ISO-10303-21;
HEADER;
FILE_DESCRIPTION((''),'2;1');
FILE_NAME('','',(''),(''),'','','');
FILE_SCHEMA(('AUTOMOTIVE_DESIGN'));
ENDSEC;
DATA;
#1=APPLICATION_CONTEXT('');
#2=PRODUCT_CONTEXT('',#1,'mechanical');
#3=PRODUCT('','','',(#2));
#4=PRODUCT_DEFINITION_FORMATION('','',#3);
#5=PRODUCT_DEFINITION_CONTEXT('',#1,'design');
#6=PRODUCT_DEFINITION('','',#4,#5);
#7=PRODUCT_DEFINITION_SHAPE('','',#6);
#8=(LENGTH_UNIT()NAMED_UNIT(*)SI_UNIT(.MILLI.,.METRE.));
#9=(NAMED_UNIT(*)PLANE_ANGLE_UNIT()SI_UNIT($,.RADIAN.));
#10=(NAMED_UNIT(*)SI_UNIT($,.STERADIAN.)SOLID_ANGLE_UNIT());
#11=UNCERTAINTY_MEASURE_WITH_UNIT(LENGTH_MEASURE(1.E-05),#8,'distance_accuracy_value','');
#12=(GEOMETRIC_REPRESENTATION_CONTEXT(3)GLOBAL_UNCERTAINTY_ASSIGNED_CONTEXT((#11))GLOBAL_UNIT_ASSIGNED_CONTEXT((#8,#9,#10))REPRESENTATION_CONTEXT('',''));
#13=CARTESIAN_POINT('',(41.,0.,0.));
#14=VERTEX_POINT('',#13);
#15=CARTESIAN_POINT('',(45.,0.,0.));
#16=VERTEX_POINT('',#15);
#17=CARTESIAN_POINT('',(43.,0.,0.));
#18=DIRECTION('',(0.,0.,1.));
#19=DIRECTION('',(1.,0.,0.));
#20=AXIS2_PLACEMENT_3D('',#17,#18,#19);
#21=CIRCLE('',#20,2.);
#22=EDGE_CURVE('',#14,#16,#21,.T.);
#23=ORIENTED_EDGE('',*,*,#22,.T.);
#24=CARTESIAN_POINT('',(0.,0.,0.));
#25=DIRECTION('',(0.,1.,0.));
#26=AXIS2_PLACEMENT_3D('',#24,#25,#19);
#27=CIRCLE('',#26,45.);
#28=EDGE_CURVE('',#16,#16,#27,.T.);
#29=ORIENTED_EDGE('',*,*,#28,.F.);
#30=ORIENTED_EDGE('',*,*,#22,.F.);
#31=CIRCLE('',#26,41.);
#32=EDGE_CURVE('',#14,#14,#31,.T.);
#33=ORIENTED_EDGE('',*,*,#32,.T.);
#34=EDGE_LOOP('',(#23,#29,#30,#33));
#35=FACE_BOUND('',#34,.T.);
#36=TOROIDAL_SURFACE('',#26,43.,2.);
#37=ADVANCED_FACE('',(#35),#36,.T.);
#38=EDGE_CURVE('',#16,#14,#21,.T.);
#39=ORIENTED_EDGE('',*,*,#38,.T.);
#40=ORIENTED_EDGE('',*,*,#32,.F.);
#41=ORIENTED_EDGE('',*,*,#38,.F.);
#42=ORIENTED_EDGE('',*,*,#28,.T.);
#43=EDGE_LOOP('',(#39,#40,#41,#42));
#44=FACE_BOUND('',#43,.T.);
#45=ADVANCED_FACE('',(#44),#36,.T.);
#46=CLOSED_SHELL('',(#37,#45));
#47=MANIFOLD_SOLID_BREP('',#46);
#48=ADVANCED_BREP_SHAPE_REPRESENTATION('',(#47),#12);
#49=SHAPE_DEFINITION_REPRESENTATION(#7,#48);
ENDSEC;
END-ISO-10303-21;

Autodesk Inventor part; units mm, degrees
ref_plane "YZ Plane" through (0, 0, 0) normal (1, 0, 0) x (0, 1, 0)
ref_plane "XZ Plane" through (0, 0, 0) normal (0, 1, 0) x (-1, 0, 0)
ref_plane "XY Plane" through (0, 0, 0) normal (0, 0, 1) x (1, 0, 0)
sketch "Эскиз1" plane through (0, 0, 0) normal (0, 0, 1) x (1, 0, 0)
  line L0 (0, 0) -> (43, 0)
  circle A0 centre (43, 0) radius 2
  line L1 (0, -2.8) -> (0, 2.8) projected
  dimension "d0" = 43
  dimension "d1" = 4
revolve "Вращение1" add sketch "Эскиз1" angle 360 about axis through (0, -10, 0) along (0, 1, 0)
properties part number "Пружина дросселя_CPY" material "Сталь, углеродистая"
